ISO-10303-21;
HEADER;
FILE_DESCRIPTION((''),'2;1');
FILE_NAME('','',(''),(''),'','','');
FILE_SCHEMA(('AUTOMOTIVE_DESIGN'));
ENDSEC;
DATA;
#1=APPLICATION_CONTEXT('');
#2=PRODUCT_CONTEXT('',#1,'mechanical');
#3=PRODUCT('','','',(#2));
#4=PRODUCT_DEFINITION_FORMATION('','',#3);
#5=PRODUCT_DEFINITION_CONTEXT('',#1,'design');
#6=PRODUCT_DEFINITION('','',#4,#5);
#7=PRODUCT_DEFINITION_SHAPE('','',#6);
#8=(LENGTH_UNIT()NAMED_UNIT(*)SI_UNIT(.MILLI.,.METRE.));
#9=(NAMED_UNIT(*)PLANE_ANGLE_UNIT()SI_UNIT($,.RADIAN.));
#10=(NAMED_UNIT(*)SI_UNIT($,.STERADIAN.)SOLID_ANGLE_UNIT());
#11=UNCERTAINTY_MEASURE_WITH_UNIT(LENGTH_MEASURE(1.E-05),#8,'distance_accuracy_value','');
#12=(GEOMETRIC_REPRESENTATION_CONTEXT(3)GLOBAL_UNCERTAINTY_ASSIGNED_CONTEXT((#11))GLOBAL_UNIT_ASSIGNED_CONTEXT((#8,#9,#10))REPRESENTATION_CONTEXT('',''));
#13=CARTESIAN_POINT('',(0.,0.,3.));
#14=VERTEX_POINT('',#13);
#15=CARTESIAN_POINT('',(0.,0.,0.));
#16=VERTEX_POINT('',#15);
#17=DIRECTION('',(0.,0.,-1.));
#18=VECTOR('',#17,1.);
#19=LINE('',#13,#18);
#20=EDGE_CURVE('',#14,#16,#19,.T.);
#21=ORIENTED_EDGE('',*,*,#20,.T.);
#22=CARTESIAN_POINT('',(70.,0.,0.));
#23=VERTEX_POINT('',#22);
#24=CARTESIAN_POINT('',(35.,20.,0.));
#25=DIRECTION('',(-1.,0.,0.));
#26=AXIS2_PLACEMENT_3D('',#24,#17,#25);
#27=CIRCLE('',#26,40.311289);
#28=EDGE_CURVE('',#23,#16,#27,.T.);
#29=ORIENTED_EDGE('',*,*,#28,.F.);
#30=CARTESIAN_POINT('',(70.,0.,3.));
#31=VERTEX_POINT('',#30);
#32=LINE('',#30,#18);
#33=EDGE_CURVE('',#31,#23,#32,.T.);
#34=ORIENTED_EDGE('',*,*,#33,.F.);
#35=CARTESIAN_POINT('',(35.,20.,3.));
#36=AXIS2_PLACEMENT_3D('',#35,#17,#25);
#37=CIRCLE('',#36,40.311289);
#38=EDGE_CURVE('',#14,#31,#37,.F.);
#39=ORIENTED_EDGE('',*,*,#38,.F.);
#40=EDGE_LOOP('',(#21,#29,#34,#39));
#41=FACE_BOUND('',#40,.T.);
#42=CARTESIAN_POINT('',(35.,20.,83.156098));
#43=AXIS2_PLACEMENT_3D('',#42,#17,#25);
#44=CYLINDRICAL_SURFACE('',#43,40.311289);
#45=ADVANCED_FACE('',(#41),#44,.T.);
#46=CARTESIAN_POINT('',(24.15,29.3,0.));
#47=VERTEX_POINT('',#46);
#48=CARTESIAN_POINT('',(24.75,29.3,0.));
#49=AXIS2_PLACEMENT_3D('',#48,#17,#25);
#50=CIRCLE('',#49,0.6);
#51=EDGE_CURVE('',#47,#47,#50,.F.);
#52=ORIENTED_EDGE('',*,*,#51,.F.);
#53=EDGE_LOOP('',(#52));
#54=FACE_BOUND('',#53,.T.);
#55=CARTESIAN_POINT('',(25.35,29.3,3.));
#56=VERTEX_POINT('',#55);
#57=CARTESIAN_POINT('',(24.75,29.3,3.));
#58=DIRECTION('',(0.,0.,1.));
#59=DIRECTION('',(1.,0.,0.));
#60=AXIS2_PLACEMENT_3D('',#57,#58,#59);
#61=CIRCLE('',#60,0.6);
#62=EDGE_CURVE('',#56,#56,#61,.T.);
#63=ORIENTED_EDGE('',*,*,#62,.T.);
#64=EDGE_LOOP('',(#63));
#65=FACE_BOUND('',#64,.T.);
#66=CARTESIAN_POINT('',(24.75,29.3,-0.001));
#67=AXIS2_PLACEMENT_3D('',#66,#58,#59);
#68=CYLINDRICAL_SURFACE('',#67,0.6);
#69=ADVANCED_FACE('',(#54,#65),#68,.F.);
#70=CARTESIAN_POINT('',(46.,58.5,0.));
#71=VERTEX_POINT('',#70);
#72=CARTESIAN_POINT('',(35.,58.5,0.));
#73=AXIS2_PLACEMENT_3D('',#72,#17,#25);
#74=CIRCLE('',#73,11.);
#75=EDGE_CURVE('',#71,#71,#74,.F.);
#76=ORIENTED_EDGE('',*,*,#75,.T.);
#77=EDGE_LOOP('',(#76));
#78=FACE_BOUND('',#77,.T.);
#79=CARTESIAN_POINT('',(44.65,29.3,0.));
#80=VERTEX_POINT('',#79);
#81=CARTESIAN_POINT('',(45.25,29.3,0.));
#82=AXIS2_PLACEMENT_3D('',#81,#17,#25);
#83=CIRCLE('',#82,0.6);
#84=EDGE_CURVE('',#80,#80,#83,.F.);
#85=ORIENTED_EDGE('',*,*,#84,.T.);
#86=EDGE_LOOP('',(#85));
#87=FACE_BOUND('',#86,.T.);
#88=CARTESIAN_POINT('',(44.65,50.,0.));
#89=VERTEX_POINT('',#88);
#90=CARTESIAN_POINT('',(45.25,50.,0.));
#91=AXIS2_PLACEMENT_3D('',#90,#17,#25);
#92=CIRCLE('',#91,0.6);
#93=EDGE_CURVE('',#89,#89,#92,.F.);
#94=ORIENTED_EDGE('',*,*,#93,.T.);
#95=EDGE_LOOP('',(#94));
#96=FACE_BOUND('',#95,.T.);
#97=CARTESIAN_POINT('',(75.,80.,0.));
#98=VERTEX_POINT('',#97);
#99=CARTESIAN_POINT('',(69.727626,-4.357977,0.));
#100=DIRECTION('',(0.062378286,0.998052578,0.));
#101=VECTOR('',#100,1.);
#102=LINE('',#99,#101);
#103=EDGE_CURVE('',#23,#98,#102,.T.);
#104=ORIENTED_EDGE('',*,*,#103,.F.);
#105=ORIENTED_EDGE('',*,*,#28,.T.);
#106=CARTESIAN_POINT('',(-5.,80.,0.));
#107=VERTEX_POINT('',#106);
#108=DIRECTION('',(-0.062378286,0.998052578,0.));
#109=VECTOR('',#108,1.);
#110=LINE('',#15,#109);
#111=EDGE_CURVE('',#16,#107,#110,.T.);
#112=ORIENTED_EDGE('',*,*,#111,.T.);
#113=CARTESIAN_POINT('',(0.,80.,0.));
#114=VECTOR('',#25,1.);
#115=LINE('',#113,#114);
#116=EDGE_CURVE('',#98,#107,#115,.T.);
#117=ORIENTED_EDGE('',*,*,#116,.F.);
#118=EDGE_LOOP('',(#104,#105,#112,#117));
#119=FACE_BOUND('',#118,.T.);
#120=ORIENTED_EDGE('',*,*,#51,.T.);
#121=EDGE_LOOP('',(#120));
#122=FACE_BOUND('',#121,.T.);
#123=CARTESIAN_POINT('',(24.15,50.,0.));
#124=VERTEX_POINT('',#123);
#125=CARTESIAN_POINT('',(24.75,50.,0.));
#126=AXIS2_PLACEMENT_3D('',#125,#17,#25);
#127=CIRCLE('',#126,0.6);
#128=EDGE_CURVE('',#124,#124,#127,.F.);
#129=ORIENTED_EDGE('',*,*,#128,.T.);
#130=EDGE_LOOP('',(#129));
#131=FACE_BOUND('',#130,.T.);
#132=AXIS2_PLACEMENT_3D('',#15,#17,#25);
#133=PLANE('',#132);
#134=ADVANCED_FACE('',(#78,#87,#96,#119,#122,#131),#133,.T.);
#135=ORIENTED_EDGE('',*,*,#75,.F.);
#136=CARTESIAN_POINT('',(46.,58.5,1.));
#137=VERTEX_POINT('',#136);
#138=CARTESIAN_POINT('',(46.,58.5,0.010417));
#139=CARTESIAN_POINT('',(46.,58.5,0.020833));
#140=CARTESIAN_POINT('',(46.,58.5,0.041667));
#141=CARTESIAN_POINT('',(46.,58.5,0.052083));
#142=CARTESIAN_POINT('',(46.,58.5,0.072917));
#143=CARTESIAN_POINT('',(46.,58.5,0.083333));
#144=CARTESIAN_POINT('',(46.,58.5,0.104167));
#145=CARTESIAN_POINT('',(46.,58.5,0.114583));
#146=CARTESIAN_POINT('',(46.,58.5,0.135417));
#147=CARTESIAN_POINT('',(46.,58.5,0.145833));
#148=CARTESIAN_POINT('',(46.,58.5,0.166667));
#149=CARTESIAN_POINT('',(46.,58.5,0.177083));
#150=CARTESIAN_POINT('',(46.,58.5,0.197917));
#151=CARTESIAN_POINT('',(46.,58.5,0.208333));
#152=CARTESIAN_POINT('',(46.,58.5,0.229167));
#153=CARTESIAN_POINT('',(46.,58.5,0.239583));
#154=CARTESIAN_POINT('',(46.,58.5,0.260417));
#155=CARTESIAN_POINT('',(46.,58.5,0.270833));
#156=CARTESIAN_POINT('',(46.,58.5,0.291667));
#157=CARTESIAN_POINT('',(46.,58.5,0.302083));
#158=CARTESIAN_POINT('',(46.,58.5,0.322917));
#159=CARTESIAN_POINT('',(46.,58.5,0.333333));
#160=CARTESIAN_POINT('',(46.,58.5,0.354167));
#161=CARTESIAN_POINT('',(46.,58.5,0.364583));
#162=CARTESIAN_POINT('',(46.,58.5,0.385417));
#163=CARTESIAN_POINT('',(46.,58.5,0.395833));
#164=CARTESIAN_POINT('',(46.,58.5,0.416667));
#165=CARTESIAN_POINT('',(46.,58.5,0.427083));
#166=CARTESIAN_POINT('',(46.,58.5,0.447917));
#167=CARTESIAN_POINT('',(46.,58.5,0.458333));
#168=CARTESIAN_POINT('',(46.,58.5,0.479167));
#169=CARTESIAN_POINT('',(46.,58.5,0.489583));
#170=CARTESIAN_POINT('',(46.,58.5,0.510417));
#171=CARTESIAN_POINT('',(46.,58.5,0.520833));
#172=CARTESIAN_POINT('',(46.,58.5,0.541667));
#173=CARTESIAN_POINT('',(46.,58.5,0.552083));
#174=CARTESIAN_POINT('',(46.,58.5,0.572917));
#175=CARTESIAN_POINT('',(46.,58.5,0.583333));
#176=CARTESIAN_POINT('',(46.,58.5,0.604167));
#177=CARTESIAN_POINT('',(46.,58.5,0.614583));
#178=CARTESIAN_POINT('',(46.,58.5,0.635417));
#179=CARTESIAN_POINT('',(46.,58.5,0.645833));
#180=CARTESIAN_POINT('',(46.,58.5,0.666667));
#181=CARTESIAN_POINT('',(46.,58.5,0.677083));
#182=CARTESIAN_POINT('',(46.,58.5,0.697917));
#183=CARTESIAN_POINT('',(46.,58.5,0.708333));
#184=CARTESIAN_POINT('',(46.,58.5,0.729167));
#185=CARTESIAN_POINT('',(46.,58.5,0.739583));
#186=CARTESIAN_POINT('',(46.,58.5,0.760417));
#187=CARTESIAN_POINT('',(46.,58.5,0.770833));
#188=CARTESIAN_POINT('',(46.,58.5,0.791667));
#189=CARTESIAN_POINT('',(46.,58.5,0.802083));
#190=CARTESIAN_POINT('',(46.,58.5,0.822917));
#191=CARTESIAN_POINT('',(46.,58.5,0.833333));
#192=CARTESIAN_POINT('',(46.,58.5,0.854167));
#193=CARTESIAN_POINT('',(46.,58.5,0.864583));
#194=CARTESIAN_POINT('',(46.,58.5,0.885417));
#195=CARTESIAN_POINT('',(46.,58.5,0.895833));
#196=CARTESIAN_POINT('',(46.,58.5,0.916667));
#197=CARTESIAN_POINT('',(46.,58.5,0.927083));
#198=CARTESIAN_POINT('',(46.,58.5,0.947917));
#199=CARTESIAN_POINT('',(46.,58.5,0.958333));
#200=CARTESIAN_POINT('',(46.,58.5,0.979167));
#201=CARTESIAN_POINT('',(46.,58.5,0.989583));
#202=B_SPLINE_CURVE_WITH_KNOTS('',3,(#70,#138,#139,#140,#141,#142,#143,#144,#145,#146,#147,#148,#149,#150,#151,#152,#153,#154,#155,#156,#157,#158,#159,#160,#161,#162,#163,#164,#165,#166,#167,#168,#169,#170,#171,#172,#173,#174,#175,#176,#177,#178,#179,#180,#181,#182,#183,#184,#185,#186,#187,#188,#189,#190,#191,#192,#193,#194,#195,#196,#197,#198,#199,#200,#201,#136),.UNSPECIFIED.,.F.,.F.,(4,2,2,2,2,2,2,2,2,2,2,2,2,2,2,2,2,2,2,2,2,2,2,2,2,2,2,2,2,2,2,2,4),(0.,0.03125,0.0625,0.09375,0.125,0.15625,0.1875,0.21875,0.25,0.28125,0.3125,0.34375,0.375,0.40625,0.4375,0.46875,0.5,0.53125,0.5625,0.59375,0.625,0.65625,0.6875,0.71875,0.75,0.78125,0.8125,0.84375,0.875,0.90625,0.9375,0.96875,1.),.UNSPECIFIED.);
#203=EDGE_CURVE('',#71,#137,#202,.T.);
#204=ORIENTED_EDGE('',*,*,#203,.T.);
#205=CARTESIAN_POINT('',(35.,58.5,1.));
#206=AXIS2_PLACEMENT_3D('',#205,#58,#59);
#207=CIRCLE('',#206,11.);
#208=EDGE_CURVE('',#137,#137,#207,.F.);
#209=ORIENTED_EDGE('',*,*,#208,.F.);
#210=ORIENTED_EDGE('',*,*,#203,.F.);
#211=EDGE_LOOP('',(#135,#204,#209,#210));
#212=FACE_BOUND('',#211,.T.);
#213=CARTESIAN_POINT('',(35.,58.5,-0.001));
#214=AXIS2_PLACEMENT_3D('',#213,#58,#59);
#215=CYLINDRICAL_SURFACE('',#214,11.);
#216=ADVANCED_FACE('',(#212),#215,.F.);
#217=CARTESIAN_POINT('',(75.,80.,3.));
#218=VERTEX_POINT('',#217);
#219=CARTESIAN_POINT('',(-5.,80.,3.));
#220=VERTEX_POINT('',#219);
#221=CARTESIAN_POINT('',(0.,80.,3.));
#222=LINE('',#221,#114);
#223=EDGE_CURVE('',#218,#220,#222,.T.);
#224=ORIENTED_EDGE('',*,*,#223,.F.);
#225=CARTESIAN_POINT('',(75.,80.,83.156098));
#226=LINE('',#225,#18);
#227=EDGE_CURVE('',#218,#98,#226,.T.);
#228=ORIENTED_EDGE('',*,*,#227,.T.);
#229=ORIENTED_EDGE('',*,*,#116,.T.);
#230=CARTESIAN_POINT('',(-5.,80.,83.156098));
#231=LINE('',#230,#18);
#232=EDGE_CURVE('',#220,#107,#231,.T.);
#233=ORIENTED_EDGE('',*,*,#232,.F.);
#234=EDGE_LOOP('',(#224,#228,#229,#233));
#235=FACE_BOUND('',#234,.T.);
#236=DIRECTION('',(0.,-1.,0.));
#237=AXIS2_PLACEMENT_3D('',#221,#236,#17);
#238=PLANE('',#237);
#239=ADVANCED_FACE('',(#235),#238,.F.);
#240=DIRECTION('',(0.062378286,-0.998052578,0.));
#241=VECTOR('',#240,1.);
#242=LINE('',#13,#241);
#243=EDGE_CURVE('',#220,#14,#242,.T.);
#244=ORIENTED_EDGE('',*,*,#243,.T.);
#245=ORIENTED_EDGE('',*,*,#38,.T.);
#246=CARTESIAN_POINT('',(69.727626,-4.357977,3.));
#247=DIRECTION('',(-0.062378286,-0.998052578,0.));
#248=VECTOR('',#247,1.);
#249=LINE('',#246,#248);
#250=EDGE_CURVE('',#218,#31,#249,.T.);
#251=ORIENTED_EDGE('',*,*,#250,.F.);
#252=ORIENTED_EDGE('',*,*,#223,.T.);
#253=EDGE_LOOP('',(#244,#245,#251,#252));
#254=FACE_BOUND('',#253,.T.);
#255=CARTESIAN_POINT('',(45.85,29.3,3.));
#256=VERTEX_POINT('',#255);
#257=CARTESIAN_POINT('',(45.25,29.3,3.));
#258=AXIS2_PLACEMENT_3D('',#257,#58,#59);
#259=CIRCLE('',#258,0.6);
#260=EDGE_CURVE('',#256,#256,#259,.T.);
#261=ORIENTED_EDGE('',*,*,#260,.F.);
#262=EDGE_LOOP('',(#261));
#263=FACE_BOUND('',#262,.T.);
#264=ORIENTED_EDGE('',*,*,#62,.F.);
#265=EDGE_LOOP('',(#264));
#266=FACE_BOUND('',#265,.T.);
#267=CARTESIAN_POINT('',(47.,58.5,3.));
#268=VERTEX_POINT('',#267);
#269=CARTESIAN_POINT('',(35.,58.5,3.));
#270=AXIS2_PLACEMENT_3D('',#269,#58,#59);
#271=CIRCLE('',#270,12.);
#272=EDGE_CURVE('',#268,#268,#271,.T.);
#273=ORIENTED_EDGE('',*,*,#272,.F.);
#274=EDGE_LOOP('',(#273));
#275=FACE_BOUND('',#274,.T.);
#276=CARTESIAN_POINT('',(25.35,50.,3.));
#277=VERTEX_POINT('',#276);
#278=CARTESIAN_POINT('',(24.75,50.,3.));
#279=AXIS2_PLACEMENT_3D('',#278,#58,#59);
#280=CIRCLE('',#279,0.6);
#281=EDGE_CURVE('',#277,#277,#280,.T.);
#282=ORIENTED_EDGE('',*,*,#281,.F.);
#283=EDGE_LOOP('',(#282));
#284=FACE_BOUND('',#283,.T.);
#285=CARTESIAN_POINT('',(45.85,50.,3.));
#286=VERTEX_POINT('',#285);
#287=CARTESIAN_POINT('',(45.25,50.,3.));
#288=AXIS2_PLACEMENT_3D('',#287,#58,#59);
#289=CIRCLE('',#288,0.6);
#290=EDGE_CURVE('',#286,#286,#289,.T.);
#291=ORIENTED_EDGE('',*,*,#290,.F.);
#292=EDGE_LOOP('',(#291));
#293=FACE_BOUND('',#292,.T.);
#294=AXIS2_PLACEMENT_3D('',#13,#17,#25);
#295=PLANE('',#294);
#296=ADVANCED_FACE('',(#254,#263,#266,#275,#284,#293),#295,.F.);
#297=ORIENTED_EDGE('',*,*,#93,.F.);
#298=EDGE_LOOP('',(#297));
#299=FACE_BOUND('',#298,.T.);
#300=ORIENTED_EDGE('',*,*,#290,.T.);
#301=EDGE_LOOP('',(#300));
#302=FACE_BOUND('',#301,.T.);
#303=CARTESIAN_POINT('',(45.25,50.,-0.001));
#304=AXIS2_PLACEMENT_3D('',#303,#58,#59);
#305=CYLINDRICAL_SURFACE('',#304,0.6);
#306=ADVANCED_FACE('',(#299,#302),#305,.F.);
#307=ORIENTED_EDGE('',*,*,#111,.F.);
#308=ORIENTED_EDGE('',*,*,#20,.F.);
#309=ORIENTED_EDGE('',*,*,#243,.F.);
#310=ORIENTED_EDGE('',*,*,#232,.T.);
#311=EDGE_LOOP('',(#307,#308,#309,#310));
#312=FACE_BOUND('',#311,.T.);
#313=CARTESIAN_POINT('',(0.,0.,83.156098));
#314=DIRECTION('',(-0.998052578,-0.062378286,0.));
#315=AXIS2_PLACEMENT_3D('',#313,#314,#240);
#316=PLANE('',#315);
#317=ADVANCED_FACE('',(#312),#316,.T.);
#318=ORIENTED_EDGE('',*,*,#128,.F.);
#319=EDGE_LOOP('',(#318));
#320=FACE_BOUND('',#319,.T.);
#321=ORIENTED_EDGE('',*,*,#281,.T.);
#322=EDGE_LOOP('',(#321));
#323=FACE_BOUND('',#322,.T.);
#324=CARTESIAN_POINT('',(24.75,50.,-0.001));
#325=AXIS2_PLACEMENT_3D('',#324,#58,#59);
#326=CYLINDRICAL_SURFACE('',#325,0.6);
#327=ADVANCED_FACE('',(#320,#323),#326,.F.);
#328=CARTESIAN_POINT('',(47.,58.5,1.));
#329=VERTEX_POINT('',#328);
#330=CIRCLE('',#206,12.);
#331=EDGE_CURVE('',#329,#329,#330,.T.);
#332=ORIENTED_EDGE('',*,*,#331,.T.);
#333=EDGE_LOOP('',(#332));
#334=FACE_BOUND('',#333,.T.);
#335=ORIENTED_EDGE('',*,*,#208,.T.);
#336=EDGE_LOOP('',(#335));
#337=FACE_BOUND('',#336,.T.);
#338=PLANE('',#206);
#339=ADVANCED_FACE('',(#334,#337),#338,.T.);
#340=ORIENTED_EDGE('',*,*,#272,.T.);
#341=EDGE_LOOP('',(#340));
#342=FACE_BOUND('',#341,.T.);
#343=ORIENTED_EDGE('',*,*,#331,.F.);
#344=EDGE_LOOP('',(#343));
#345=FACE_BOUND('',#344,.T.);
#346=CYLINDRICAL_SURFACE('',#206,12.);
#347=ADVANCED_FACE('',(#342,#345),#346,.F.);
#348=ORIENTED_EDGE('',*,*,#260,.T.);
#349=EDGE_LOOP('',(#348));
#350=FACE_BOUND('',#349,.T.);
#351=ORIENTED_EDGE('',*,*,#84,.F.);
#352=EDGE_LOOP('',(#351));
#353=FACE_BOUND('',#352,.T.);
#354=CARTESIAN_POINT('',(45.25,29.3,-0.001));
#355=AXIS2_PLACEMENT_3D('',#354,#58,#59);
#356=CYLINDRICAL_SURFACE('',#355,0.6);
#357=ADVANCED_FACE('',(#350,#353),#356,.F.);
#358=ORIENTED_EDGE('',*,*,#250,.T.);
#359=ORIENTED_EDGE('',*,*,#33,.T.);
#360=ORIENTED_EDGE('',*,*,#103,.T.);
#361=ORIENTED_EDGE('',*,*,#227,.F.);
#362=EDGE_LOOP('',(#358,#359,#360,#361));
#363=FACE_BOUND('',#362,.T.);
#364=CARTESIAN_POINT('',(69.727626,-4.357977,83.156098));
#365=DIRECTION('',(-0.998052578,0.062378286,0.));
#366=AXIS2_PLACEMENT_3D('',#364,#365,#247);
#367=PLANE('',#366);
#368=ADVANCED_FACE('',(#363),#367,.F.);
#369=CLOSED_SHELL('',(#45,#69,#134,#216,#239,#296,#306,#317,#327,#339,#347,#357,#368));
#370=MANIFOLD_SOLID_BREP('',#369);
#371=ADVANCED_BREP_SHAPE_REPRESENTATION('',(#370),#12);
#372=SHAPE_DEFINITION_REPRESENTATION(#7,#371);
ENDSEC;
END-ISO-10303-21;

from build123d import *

# Parameters (mm, degrees)
SKETCH_1_W          = 70
SKETCH_1_H          = 80
EXTRUDE_1_DEPTH     = 3
CUT_EXTRUDE_1_REACH = 108.344
SKETCH_2_R          = 0.6
SKETCH_2_R_2        = 11
SKETCH_3_R          = 12
CUT_EXTRUDE_2_DEPTH = 2
EXTRUDE_2_DEPTH     = 3


with BuildPart() as part:
    # 草图1 → 凸台-拉伸1 (new body)
    with BuildSketch(Plane.XY):
        with Locations((35, 40)):
            Rectangle(SKETCH_1_W, SKETCH_1_H)
    extrude(amount=EXTRUDE_1_DEPTH)

    # 草图2 → 切除-拉伸1 (cut, up to next)
    with BuildSketch(Plane.XY.offset(3), mode=Mode.PRIVATE) as cut_extrude_1_sk1:
        with Locations((24.75, 50)):
            Circle(SKETCH_2_R)
    cut_extrude_1_tool1 = extrude(cut_extrude_1_sk1.sketch, amount=-CUT_EXTRUDE_1_REACH, mode=Mode.PRIVATE) & part.part
    # 草图2 → 切除-拉伸1 (cut, up to next)
    with BuildSketch(Plane.XY.offset(3), mode=Mode.PRIVATE) as cut_extrude_1_sk2:
        with Locations((45.25, 50)):
            Circle(SKETCH_2_R)
    cut_extrude_1_tool2 = extrude(cut_extrude_1_sk2.sketch, amount=-CUT_EXTRUDE_1_REACH, mode=Mode.PRIVATE) & part.part
    # 草图2 → 切除-拉伸1 (cut, up to next)
    with BuildSketch(Plane.XY.offset(3), mode=Mode.PRIVATE) as cut_extrude_1_sk3:
        with Locations((45.25, 29.3)):
            Circle(SKETCH_2_R)
    cut_extrude_1_tool3 = extrude(cut_extrude_1_sk3.sketch, amount=-CUT_EXTRUDE_1_REACH, mode=Mode.PRIVATE) & part.part
    # 草图2 → 切除-拉伸1 (cut, up to next)
    with BuildSketch(Plane.XY.offset(3), mode=Mode.PRIVATE) as cut_extrude_1_sk4:
        with Locations((24.75, 29.3)):
            Circle(SKETCH_2_R)
    cut_extrude_1_tool4 = extrude(cut_extrude_1_sk4.sketch, amount=-CUT_EXTRUDE_1_REACH, mode=Mode.PRIVATE) & part.part
    # 草图2 → 切除-拉伸1 (cut, up to next)
    with BuildSketch(Plane.XY.offset(3), mode=Mode.PRIVATE) as cut_extrude_1_sk5:
        with Locations((35, 58.5)):
            Circle(SKETCH_2_R_2)
    cut_extrude_1_tool5 = extrude(cut_extrude_1_sk5.sketch, amount=-CUT_EXTRUDE_1_REACH, mode=Mode.PRIVATE) & part.part
    add(cut_extrude_1_tool1.solids().sort_by_distance((24.75, 50, 3))[0], mode=Mode.SUBTRACT)
    add(cut_extrude_1_tool2.solids().sort_by_distance((45.25, 50, 3))[0], mode=Mode.SUBTRACT)
    add(cut_extrude_1_tool3.solids().sort_by_distance((45.25, 29.3, 3))[0], mode=Mode.SUBTRACT)
    add(cut_extrude_1_tool4.solids().sort_by_distance((24.75, 29.3, 3))[0], mode=Mode.SUBTRACT)
    add(cut_extrude_1_tool5.solids().sort_by_distance((35, 58.5, 3))[0], mode=Mode.SUBTRACT)

    # 草图3 → 切除-拉伸2 (cut)
    with BuildSketch(Plane.XY.offset(3)):
        with Locations((35, 58.5)):
            Circle(SKETCH_3_R)
    extrude(amount=-CUT_EXTRUDE_2_DEPTH, mode=Mode.SUBTRACT)

    # 草图5 → 凸台-拉伸2 (add)
    with BuildSketch(Plane(origin=(0, 0, 0), x_dir=(-1, 0, 0), z_dir=(0, 0, -1))):
        Polygon((-75, 80), (-70, 80), (-70, 0), align=None)
        Polygon((0, 0), (5, 80), (0, 80), align=None)
        with BuildLine():
            Line((0, 0), (-35, 0))
            Line((-35, 0), (-35, -20.311288741))
            ThreePointArc((-35, -20.311288741), (-14.766683105, -14.865640499), (0, 0))
        make_face()
        with BuildLine():
            Line((-35, -20.311288741), (-35, 0))
            Line((-35, 0), (-70, 0))
            ThreePointArc((-70, 0), (-55.233316895, -14.865640499), (-35, -20.311288741))
        make_face()
        with BuildLine():
            Line((0, 0), (-35, 0))
            Line((-35, 0), (-35, -20.311288741))
            ThreePointArc((-35, -20.311288741), (-14.766683105, -14.865640499), (0, 0))
        make_face()
        with BuildLine():
            Line((-35, -20.311288741), (-35, 0))
            Line((-35, 0), (-70, 0))
            ThreePointArc((-70, 0), (-55.233316895, -14.865640499), (-35, -20.311288741))
        make_face()
    extrude(amount=-EXTRUDE_2_DEPTH)


solid = part.part
